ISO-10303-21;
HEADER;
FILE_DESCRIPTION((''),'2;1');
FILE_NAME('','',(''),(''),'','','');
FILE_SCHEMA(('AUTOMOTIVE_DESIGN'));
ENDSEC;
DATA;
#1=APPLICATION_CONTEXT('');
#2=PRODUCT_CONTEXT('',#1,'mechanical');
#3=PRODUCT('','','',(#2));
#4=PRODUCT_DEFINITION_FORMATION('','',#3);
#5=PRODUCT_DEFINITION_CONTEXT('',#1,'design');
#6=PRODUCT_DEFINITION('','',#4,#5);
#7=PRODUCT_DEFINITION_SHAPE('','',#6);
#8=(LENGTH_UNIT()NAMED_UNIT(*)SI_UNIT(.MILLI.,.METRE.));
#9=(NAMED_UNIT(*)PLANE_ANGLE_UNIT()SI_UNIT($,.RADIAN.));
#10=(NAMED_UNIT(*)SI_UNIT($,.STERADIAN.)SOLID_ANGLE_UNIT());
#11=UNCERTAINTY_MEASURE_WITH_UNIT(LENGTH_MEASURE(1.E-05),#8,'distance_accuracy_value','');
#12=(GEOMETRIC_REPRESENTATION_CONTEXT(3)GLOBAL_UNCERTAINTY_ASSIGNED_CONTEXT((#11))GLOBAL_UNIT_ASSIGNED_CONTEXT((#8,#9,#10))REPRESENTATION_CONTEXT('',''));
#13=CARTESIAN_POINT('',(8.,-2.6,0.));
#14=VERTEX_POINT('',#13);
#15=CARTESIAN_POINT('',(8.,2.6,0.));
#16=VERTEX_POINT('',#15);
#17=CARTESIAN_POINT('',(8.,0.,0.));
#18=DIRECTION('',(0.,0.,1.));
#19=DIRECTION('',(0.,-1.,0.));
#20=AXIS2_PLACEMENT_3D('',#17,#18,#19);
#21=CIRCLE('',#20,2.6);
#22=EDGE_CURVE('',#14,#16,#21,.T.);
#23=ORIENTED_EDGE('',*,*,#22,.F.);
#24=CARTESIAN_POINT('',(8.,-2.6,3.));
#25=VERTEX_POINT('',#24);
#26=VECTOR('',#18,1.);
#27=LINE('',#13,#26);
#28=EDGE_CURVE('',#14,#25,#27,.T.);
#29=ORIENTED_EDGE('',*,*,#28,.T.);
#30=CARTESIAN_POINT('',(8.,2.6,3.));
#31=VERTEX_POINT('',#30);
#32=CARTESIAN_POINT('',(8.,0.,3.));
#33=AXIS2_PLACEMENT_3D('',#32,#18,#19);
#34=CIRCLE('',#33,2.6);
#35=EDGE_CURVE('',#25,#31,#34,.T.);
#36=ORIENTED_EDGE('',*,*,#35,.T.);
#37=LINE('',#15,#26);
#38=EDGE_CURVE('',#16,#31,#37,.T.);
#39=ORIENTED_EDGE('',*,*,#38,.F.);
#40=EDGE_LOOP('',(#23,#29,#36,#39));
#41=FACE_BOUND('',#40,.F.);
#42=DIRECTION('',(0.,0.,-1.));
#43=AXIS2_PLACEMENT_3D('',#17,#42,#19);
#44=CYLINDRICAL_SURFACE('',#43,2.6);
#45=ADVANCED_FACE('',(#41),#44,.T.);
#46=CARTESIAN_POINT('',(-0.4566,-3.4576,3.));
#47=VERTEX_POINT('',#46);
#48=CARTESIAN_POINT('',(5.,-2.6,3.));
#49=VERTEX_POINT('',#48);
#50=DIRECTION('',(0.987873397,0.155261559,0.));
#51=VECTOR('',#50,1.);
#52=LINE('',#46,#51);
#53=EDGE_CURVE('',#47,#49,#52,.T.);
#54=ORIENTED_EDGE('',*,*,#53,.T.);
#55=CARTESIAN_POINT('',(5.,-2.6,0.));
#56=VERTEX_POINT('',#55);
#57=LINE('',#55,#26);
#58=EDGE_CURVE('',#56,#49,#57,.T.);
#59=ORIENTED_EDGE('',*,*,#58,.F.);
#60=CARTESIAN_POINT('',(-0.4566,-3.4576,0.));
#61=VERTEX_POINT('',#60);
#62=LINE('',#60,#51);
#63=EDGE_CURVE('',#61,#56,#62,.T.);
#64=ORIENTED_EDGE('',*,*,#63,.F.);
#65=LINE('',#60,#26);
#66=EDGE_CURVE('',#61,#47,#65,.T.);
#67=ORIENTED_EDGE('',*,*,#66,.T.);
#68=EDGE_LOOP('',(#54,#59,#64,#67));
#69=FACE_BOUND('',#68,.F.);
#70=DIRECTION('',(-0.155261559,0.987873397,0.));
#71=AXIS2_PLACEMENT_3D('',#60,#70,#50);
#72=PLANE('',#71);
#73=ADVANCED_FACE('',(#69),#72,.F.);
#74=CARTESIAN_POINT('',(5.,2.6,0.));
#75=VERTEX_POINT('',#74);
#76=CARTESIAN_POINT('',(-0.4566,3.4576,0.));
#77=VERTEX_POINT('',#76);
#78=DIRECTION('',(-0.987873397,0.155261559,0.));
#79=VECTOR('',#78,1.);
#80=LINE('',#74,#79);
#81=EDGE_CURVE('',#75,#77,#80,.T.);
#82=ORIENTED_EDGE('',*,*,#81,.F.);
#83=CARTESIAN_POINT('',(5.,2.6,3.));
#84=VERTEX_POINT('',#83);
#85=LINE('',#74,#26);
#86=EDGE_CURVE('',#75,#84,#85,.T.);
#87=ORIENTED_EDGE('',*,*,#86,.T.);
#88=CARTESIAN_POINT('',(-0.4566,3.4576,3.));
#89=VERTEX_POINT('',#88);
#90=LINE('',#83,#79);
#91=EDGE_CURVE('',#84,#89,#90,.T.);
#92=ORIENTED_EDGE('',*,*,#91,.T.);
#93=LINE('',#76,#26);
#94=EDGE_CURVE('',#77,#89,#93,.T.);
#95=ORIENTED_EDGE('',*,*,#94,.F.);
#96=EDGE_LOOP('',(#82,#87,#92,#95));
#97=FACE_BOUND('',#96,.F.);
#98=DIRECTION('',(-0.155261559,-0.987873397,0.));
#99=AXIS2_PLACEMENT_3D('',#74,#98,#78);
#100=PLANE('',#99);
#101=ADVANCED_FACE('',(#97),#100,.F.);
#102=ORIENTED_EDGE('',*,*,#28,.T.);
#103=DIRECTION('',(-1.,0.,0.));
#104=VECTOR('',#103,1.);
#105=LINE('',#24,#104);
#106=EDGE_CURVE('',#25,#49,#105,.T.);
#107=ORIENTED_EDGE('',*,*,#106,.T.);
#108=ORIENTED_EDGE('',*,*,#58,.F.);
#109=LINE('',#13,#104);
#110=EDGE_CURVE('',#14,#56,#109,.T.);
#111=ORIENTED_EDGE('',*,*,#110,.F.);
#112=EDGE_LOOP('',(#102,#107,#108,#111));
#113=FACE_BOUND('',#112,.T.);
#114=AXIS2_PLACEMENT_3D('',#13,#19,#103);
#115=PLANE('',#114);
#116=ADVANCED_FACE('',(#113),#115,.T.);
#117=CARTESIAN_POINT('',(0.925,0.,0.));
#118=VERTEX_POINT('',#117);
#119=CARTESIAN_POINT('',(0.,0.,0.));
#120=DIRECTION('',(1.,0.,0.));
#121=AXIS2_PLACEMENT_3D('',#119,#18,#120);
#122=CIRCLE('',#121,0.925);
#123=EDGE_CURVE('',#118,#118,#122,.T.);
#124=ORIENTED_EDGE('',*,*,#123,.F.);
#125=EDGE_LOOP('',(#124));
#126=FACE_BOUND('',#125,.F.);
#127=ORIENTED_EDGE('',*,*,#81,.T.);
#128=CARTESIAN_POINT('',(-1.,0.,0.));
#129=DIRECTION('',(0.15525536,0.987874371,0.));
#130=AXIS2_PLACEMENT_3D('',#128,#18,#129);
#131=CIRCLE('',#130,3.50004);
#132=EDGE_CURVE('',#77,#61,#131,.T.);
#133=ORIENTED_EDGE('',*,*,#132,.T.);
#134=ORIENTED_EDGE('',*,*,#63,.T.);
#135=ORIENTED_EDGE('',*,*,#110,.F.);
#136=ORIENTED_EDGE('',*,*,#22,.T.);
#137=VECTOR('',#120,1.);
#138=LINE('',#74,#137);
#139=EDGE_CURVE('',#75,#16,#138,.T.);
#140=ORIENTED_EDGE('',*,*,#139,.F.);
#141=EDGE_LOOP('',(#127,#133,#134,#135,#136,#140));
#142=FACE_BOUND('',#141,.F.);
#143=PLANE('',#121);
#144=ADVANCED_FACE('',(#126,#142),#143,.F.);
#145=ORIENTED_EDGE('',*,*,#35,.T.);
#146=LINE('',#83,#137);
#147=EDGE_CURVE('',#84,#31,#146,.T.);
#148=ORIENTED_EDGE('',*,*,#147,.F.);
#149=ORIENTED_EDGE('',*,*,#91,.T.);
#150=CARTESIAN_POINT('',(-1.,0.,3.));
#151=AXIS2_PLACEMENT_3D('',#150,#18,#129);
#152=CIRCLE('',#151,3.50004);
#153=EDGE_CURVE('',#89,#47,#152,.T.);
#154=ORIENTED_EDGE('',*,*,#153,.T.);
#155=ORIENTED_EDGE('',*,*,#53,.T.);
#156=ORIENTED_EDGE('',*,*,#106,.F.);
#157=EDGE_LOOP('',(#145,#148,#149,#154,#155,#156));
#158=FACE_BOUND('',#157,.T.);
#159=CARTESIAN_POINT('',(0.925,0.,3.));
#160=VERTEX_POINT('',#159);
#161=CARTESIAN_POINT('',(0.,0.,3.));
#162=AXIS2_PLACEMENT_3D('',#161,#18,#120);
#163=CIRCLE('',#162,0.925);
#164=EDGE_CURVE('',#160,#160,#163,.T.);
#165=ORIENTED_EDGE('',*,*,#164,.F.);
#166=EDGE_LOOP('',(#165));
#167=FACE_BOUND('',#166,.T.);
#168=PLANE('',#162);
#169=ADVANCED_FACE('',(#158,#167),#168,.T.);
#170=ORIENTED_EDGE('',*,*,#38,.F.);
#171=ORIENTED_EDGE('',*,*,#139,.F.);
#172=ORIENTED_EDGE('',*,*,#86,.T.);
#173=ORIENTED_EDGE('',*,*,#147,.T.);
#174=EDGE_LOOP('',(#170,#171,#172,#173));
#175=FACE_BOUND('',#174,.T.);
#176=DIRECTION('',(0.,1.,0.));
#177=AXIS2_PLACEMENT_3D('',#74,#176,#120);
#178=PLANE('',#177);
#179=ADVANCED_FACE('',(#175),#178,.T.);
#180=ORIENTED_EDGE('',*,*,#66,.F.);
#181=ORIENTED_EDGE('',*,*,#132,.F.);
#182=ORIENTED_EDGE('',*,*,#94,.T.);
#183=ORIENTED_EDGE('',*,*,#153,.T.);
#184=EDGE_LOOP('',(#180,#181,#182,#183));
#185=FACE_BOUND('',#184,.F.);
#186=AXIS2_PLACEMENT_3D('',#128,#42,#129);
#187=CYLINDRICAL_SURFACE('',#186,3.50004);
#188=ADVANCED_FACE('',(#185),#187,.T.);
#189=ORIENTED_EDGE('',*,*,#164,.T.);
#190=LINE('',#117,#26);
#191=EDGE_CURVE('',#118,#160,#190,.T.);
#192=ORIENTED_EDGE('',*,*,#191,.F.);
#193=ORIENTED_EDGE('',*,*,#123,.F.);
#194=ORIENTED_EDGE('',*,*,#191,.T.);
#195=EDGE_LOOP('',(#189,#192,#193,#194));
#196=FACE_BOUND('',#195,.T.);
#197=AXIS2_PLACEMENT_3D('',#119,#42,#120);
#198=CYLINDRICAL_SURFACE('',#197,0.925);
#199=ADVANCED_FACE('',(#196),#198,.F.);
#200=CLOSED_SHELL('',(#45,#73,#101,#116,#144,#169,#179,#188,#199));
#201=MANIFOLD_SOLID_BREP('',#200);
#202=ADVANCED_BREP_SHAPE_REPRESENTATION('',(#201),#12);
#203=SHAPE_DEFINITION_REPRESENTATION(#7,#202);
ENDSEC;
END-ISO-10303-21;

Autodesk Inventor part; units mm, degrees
ref_plane "YZ Plane" through (0, 0, 0) normal (1, 0, 0) x (0, 1, 0)
ref_plane "XZ Plane" through (0, 0, 0) normal (0, 1, 0) x (-1, 0, 0)
ref_plane "XY Plane" through (0, 0, 0) normal (0, 0, 1) x (1, 0, 0)
sketch "Sketch1" plane through (0, 0, 0) normal (0, 0, 1) x (1, 0, 0)
  circle A0 centre (0, 0) radius 0.925
  line L0 (5, 2.6) -> (-0.4566, 3.4576)
  arc A1 (-0.4566, 3.4576) -> (-0.4566, -3.4576) centre (-1, 0) ccw
  line L1 (-0.4566, -3.4576) -> (5, -2.6)
  line L2 (0, 0) -> (26, 0) construction
  line L3 (5, 2.6) -> (8, 2.6)
  arc A2 (8, -2.6) -> (8, 2.6) centre (8, 0) ccw
  line L4 (8, -2.6) -> (5, -2.6)
  dimension "d0" = 1.85
  dimension "d7" = 3.5
  dimension "d8" = 1
  dimension "d10" = 2.6
  dimension "d11" = 8
  dimension "d12" = 6
extrude "Extrusion1" add sketch "Sketch1" along normal blind 3
properties part number "slider_link_p5"
